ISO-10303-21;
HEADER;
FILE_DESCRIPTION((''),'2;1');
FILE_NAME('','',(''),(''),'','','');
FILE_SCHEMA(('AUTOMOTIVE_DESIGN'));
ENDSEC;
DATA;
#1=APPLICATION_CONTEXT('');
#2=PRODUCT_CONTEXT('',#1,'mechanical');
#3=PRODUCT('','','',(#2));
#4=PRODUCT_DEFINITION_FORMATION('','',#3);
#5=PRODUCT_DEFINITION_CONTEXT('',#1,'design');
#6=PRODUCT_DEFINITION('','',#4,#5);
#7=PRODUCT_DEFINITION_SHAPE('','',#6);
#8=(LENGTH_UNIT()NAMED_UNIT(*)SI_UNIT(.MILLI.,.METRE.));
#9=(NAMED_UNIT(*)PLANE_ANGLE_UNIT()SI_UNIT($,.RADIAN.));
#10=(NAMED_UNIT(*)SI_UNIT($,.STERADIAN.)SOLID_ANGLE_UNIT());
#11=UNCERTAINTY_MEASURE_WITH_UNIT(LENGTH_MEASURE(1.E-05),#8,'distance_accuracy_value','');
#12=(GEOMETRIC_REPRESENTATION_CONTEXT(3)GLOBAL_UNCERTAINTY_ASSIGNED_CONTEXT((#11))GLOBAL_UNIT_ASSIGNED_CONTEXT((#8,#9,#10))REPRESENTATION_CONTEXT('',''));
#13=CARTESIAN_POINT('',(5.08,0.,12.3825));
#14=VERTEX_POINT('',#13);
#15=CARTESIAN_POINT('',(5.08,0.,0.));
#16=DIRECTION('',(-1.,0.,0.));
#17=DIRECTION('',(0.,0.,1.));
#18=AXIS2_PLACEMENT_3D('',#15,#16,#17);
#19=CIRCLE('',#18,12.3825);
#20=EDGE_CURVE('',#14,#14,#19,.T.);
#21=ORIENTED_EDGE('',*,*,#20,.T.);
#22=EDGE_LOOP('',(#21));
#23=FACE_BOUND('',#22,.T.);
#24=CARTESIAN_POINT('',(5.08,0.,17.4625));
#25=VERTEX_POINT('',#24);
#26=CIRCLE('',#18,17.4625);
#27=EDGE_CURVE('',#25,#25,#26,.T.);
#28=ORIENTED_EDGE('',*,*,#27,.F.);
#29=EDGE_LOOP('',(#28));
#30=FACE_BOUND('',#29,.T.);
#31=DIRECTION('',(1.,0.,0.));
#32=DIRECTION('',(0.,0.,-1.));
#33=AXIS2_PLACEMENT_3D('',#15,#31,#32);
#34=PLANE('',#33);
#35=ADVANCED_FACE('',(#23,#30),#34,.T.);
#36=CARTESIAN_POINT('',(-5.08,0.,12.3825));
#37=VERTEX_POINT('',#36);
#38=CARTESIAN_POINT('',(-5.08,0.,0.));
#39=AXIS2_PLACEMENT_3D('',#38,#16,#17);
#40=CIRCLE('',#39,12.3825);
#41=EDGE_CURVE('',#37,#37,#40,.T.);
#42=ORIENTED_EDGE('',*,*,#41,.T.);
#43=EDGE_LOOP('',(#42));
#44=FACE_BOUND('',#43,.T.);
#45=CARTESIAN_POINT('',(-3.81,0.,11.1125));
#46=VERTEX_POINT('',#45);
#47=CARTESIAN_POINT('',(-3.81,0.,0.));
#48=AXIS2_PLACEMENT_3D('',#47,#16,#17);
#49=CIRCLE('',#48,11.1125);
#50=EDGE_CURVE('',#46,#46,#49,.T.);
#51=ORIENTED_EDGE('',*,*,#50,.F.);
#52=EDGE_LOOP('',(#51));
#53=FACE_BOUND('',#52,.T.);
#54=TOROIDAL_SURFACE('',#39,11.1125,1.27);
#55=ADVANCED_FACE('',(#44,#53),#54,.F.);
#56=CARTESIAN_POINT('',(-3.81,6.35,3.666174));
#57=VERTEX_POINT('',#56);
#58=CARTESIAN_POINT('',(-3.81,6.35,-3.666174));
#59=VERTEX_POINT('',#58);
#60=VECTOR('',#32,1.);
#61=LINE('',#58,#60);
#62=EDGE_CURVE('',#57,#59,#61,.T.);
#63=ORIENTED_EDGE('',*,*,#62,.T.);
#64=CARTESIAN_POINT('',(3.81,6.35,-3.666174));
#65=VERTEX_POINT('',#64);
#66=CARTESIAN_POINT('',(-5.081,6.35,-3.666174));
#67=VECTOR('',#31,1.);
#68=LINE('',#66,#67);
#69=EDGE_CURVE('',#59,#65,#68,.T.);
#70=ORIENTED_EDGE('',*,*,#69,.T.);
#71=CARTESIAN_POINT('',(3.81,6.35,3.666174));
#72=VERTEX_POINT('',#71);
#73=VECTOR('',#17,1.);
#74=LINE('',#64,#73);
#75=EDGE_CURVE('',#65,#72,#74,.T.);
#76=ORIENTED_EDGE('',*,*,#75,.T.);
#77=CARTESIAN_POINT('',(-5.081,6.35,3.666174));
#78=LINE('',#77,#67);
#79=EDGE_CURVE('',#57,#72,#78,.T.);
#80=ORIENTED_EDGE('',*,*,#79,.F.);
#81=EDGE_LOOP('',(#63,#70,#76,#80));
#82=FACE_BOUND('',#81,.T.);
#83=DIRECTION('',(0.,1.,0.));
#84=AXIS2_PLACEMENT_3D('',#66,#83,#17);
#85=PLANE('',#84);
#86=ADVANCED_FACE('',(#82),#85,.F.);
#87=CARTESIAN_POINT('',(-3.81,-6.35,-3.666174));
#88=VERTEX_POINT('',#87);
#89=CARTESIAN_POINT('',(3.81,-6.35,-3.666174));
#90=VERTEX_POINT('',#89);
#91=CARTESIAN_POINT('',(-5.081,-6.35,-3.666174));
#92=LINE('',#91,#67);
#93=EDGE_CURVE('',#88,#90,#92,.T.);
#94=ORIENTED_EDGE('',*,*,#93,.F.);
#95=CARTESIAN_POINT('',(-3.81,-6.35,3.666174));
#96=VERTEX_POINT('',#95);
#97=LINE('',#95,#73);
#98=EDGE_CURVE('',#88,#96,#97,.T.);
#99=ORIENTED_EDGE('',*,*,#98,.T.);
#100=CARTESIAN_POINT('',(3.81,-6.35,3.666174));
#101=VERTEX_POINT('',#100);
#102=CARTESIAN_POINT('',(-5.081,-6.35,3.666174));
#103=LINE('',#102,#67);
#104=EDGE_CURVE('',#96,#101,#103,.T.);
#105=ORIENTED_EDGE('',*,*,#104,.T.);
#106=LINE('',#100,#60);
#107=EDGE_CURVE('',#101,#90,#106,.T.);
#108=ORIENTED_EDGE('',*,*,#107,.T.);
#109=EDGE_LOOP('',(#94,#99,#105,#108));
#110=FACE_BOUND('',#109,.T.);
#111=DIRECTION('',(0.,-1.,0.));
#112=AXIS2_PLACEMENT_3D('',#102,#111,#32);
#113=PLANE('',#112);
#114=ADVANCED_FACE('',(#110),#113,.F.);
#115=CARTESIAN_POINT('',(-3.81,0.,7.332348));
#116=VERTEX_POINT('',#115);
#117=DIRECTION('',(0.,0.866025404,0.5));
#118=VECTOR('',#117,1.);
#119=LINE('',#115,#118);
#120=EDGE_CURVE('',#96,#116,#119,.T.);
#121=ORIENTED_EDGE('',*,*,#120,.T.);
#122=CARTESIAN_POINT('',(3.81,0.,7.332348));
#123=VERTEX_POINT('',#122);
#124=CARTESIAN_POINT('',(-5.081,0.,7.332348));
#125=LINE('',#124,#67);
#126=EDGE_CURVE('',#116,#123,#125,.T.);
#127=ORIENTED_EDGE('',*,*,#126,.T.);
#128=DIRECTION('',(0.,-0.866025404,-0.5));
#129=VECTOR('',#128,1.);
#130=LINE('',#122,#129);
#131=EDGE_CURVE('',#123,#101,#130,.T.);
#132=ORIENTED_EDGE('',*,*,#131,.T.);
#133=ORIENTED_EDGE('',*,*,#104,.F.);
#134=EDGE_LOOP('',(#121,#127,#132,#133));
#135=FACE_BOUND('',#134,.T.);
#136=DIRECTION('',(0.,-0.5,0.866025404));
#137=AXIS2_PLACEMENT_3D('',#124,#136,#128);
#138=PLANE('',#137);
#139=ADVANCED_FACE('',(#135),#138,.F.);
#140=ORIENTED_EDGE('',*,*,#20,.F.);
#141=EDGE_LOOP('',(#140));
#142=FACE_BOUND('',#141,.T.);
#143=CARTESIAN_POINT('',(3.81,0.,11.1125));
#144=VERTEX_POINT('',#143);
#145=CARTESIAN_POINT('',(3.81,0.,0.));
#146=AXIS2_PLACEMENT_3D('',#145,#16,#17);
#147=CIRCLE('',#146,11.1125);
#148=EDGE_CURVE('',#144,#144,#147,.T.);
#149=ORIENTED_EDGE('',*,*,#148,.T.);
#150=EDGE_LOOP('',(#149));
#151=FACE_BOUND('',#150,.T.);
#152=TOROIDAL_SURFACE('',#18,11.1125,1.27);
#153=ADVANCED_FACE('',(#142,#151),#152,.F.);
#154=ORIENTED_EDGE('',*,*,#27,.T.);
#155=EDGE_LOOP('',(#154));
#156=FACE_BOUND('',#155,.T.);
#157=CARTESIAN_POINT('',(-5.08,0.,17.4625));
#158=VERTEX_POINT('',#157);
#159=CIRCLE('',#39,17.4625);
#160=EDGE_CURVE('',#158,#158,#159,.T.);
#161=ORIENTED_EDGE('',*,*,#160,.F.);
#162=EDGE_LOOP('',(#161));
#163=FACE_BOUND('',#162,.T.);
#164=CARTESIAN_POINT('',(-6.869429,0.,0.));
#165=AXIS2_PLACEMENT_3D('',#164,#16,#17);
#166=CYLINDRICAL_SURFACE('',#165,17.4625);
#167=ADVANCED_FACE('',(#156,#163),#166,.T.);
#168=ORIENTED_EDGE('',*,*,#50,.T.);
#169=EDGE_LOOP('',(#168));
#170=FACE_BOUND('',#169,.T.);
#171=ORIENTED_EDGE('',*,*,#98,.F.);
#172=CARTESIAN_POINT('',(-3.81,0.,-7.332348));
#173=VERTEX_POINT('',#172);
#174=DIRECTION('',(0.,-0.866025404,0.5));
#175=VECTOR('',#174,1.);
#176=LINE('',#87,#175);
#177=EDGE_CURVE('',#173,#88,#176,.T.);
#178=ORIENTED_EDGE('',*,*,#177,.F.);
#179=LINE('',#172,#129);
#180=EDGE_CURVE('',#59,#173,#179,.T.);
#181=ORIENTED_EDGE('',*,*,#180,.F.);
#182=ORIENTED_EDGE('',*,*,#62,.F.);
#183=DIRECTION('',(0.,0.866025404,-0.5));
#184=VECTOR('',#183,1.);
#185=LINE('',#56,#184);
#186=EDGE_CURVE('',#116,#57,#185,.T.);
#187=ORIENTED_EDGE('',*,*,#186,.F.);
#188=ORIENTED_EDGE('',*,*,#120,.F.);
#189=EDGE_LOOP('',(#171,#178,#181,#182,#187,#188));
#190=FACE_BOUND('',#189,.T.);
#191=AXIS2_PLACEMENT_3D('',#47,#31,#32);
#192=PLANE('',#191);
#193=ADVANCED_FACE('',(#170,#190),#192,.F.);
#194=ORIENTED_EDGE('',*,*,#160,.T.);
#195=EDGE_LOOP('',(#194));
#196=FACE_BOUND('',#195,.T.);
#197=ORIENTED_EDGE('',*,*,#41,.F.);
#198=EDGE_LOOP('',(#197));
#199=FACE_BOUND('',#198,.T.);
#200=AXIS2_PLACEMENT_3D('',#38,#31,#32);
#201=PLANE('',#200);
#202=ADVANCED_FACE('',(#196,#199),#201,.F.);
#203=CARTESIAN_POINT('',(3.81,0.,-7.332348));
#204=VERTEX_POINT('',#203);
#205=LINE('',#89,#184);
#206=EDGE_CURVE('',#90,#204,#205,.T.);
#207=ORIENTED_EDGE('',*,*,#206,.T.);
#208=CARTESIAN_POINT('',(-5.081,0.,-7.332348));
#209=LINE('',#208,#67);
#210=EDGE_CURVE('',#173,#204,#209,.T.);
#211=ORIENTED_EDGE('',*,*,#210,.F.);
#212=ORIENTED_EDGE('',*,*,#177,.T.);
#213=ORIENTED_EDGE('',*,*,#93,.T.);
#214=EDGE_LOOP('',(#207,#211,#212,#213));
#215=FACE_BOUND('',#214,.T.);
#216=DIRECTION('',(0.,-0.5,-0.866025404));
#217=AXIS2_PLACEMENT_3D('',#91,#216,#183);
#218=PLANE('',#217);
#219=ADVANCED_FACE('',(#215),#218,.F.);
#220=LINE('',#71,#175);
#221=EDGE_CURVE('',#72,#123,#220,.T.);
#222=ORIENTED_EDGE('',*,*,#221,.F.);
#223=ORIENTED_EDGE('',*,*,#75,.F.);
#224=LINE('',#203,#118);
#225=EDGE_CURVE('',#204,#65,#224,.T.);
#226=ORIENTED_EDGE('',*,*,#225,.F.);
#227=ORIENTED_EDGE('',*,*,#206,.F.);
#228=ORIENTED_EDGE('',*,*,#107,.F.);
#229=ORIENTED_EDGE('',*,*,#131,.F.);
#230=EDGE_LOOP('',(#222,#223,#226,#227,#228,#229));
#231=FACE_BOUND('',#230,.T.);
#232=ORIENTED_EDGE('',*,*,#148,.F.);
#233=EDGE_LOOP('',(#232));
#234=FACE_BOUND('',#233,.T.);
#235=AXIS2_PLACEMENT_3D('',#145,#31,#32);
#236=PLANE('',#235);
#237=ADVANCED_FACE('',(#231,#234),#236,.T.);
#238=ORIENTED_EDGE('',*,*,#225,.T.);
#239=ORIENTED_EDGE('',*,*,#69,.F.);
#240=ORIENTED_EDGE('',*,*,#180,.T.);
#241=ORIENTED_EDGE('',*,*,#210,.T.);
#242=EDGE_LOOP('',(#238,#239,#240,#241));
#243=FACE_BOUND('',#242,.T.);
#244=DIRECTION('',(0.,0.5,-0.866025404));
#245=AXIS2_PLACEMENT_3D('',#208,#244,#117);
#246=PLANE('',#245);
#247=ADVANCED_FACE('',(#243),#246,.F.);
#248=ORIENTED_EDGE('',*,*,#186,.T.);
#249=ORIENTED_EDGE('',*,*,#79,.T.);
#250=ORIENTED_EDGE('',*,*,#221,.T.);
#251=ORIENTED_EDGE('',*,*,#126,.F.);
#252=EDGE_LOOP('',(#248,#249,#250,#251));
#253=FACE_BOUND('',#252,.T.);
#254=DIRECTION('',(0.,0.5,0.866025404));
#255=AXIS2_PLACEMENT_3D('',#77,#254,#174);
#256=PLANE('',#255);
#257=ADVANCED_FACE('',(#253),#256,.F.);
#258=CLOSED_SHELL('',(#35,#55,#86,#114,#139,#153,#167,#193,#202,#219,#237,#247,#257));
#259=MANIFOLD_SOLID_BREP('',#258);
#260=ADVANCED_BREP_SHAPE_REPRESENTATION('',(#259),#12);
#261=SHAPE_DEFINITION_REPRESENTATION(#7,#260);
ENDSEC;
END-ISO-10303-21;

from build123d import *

# Parameters (mm, degrees)
CUT_EXTRUDE1_REACH = 28.247


with BuildPart() as part:
    # Sketch2 → Revolve1 (revolve)
    with BuildSketch(Plane.XY, mode=Mode.PRIVATE) as revolve1_sk:
        with BuildLine():
            Line((-5.08, 17.4625), (-5.08, 12.3825))
            ThreePointArc((-5.08, 12.3825), (-4.181974388, 12.010525612), (-3.81, 11.1125))
            Line((-3.81, 11.1125), (-3.81, 0))
            Line((-3.81, 0), (3.81, 0))
            Line((3.81, 0), (3.81, 11.1125))
            ThreePointArc((3.81, 11.1125), (4.181974388, 12.010525612), (5.08, 12.3825))
            Line((5.08, 12.3825), (5.08, 17.4625))
            Line((5.08, 17.4625), (-5.08, 17.4625))
        make_face()
    revolve(revolve1_sk.sketch.rotate(Axis((-6.869429095, 0, 0), (1, 0, 0)), 90), axis=Axis((-6.869429095, 0, 0), (1, 0, 0)))

    # Sketch3 → Cut-Extrude1 (cut, up to next)
    with BuildSketch(Plane(origin=(3.81, 0, 0), x_dir=(0, 0, -1), z_dir=(1, 0, 0)), mode=Mode.PRIVATE) as cut_extrude1_sk1:
        Polygon((7.332348419, 0), (3.666174209, 6.35), (-3.666174209, 6.35), (-7.332348419, 0), (-3.666174209, -6.35), (3.666174209, -6.35), align=None)
    cut_extrude1_tool1 = extrude(cut_extrude1_sk1.sketch, amount=-CUT_EXTRUDE1_REACH, mode=Mode.PRIVATE) & part.part
    add(cut_extrude1_tool1.solids().sort_by_distance((3.81, 0, 0))[0], mode=Mode.SUBTRACT)


solid = part.part
